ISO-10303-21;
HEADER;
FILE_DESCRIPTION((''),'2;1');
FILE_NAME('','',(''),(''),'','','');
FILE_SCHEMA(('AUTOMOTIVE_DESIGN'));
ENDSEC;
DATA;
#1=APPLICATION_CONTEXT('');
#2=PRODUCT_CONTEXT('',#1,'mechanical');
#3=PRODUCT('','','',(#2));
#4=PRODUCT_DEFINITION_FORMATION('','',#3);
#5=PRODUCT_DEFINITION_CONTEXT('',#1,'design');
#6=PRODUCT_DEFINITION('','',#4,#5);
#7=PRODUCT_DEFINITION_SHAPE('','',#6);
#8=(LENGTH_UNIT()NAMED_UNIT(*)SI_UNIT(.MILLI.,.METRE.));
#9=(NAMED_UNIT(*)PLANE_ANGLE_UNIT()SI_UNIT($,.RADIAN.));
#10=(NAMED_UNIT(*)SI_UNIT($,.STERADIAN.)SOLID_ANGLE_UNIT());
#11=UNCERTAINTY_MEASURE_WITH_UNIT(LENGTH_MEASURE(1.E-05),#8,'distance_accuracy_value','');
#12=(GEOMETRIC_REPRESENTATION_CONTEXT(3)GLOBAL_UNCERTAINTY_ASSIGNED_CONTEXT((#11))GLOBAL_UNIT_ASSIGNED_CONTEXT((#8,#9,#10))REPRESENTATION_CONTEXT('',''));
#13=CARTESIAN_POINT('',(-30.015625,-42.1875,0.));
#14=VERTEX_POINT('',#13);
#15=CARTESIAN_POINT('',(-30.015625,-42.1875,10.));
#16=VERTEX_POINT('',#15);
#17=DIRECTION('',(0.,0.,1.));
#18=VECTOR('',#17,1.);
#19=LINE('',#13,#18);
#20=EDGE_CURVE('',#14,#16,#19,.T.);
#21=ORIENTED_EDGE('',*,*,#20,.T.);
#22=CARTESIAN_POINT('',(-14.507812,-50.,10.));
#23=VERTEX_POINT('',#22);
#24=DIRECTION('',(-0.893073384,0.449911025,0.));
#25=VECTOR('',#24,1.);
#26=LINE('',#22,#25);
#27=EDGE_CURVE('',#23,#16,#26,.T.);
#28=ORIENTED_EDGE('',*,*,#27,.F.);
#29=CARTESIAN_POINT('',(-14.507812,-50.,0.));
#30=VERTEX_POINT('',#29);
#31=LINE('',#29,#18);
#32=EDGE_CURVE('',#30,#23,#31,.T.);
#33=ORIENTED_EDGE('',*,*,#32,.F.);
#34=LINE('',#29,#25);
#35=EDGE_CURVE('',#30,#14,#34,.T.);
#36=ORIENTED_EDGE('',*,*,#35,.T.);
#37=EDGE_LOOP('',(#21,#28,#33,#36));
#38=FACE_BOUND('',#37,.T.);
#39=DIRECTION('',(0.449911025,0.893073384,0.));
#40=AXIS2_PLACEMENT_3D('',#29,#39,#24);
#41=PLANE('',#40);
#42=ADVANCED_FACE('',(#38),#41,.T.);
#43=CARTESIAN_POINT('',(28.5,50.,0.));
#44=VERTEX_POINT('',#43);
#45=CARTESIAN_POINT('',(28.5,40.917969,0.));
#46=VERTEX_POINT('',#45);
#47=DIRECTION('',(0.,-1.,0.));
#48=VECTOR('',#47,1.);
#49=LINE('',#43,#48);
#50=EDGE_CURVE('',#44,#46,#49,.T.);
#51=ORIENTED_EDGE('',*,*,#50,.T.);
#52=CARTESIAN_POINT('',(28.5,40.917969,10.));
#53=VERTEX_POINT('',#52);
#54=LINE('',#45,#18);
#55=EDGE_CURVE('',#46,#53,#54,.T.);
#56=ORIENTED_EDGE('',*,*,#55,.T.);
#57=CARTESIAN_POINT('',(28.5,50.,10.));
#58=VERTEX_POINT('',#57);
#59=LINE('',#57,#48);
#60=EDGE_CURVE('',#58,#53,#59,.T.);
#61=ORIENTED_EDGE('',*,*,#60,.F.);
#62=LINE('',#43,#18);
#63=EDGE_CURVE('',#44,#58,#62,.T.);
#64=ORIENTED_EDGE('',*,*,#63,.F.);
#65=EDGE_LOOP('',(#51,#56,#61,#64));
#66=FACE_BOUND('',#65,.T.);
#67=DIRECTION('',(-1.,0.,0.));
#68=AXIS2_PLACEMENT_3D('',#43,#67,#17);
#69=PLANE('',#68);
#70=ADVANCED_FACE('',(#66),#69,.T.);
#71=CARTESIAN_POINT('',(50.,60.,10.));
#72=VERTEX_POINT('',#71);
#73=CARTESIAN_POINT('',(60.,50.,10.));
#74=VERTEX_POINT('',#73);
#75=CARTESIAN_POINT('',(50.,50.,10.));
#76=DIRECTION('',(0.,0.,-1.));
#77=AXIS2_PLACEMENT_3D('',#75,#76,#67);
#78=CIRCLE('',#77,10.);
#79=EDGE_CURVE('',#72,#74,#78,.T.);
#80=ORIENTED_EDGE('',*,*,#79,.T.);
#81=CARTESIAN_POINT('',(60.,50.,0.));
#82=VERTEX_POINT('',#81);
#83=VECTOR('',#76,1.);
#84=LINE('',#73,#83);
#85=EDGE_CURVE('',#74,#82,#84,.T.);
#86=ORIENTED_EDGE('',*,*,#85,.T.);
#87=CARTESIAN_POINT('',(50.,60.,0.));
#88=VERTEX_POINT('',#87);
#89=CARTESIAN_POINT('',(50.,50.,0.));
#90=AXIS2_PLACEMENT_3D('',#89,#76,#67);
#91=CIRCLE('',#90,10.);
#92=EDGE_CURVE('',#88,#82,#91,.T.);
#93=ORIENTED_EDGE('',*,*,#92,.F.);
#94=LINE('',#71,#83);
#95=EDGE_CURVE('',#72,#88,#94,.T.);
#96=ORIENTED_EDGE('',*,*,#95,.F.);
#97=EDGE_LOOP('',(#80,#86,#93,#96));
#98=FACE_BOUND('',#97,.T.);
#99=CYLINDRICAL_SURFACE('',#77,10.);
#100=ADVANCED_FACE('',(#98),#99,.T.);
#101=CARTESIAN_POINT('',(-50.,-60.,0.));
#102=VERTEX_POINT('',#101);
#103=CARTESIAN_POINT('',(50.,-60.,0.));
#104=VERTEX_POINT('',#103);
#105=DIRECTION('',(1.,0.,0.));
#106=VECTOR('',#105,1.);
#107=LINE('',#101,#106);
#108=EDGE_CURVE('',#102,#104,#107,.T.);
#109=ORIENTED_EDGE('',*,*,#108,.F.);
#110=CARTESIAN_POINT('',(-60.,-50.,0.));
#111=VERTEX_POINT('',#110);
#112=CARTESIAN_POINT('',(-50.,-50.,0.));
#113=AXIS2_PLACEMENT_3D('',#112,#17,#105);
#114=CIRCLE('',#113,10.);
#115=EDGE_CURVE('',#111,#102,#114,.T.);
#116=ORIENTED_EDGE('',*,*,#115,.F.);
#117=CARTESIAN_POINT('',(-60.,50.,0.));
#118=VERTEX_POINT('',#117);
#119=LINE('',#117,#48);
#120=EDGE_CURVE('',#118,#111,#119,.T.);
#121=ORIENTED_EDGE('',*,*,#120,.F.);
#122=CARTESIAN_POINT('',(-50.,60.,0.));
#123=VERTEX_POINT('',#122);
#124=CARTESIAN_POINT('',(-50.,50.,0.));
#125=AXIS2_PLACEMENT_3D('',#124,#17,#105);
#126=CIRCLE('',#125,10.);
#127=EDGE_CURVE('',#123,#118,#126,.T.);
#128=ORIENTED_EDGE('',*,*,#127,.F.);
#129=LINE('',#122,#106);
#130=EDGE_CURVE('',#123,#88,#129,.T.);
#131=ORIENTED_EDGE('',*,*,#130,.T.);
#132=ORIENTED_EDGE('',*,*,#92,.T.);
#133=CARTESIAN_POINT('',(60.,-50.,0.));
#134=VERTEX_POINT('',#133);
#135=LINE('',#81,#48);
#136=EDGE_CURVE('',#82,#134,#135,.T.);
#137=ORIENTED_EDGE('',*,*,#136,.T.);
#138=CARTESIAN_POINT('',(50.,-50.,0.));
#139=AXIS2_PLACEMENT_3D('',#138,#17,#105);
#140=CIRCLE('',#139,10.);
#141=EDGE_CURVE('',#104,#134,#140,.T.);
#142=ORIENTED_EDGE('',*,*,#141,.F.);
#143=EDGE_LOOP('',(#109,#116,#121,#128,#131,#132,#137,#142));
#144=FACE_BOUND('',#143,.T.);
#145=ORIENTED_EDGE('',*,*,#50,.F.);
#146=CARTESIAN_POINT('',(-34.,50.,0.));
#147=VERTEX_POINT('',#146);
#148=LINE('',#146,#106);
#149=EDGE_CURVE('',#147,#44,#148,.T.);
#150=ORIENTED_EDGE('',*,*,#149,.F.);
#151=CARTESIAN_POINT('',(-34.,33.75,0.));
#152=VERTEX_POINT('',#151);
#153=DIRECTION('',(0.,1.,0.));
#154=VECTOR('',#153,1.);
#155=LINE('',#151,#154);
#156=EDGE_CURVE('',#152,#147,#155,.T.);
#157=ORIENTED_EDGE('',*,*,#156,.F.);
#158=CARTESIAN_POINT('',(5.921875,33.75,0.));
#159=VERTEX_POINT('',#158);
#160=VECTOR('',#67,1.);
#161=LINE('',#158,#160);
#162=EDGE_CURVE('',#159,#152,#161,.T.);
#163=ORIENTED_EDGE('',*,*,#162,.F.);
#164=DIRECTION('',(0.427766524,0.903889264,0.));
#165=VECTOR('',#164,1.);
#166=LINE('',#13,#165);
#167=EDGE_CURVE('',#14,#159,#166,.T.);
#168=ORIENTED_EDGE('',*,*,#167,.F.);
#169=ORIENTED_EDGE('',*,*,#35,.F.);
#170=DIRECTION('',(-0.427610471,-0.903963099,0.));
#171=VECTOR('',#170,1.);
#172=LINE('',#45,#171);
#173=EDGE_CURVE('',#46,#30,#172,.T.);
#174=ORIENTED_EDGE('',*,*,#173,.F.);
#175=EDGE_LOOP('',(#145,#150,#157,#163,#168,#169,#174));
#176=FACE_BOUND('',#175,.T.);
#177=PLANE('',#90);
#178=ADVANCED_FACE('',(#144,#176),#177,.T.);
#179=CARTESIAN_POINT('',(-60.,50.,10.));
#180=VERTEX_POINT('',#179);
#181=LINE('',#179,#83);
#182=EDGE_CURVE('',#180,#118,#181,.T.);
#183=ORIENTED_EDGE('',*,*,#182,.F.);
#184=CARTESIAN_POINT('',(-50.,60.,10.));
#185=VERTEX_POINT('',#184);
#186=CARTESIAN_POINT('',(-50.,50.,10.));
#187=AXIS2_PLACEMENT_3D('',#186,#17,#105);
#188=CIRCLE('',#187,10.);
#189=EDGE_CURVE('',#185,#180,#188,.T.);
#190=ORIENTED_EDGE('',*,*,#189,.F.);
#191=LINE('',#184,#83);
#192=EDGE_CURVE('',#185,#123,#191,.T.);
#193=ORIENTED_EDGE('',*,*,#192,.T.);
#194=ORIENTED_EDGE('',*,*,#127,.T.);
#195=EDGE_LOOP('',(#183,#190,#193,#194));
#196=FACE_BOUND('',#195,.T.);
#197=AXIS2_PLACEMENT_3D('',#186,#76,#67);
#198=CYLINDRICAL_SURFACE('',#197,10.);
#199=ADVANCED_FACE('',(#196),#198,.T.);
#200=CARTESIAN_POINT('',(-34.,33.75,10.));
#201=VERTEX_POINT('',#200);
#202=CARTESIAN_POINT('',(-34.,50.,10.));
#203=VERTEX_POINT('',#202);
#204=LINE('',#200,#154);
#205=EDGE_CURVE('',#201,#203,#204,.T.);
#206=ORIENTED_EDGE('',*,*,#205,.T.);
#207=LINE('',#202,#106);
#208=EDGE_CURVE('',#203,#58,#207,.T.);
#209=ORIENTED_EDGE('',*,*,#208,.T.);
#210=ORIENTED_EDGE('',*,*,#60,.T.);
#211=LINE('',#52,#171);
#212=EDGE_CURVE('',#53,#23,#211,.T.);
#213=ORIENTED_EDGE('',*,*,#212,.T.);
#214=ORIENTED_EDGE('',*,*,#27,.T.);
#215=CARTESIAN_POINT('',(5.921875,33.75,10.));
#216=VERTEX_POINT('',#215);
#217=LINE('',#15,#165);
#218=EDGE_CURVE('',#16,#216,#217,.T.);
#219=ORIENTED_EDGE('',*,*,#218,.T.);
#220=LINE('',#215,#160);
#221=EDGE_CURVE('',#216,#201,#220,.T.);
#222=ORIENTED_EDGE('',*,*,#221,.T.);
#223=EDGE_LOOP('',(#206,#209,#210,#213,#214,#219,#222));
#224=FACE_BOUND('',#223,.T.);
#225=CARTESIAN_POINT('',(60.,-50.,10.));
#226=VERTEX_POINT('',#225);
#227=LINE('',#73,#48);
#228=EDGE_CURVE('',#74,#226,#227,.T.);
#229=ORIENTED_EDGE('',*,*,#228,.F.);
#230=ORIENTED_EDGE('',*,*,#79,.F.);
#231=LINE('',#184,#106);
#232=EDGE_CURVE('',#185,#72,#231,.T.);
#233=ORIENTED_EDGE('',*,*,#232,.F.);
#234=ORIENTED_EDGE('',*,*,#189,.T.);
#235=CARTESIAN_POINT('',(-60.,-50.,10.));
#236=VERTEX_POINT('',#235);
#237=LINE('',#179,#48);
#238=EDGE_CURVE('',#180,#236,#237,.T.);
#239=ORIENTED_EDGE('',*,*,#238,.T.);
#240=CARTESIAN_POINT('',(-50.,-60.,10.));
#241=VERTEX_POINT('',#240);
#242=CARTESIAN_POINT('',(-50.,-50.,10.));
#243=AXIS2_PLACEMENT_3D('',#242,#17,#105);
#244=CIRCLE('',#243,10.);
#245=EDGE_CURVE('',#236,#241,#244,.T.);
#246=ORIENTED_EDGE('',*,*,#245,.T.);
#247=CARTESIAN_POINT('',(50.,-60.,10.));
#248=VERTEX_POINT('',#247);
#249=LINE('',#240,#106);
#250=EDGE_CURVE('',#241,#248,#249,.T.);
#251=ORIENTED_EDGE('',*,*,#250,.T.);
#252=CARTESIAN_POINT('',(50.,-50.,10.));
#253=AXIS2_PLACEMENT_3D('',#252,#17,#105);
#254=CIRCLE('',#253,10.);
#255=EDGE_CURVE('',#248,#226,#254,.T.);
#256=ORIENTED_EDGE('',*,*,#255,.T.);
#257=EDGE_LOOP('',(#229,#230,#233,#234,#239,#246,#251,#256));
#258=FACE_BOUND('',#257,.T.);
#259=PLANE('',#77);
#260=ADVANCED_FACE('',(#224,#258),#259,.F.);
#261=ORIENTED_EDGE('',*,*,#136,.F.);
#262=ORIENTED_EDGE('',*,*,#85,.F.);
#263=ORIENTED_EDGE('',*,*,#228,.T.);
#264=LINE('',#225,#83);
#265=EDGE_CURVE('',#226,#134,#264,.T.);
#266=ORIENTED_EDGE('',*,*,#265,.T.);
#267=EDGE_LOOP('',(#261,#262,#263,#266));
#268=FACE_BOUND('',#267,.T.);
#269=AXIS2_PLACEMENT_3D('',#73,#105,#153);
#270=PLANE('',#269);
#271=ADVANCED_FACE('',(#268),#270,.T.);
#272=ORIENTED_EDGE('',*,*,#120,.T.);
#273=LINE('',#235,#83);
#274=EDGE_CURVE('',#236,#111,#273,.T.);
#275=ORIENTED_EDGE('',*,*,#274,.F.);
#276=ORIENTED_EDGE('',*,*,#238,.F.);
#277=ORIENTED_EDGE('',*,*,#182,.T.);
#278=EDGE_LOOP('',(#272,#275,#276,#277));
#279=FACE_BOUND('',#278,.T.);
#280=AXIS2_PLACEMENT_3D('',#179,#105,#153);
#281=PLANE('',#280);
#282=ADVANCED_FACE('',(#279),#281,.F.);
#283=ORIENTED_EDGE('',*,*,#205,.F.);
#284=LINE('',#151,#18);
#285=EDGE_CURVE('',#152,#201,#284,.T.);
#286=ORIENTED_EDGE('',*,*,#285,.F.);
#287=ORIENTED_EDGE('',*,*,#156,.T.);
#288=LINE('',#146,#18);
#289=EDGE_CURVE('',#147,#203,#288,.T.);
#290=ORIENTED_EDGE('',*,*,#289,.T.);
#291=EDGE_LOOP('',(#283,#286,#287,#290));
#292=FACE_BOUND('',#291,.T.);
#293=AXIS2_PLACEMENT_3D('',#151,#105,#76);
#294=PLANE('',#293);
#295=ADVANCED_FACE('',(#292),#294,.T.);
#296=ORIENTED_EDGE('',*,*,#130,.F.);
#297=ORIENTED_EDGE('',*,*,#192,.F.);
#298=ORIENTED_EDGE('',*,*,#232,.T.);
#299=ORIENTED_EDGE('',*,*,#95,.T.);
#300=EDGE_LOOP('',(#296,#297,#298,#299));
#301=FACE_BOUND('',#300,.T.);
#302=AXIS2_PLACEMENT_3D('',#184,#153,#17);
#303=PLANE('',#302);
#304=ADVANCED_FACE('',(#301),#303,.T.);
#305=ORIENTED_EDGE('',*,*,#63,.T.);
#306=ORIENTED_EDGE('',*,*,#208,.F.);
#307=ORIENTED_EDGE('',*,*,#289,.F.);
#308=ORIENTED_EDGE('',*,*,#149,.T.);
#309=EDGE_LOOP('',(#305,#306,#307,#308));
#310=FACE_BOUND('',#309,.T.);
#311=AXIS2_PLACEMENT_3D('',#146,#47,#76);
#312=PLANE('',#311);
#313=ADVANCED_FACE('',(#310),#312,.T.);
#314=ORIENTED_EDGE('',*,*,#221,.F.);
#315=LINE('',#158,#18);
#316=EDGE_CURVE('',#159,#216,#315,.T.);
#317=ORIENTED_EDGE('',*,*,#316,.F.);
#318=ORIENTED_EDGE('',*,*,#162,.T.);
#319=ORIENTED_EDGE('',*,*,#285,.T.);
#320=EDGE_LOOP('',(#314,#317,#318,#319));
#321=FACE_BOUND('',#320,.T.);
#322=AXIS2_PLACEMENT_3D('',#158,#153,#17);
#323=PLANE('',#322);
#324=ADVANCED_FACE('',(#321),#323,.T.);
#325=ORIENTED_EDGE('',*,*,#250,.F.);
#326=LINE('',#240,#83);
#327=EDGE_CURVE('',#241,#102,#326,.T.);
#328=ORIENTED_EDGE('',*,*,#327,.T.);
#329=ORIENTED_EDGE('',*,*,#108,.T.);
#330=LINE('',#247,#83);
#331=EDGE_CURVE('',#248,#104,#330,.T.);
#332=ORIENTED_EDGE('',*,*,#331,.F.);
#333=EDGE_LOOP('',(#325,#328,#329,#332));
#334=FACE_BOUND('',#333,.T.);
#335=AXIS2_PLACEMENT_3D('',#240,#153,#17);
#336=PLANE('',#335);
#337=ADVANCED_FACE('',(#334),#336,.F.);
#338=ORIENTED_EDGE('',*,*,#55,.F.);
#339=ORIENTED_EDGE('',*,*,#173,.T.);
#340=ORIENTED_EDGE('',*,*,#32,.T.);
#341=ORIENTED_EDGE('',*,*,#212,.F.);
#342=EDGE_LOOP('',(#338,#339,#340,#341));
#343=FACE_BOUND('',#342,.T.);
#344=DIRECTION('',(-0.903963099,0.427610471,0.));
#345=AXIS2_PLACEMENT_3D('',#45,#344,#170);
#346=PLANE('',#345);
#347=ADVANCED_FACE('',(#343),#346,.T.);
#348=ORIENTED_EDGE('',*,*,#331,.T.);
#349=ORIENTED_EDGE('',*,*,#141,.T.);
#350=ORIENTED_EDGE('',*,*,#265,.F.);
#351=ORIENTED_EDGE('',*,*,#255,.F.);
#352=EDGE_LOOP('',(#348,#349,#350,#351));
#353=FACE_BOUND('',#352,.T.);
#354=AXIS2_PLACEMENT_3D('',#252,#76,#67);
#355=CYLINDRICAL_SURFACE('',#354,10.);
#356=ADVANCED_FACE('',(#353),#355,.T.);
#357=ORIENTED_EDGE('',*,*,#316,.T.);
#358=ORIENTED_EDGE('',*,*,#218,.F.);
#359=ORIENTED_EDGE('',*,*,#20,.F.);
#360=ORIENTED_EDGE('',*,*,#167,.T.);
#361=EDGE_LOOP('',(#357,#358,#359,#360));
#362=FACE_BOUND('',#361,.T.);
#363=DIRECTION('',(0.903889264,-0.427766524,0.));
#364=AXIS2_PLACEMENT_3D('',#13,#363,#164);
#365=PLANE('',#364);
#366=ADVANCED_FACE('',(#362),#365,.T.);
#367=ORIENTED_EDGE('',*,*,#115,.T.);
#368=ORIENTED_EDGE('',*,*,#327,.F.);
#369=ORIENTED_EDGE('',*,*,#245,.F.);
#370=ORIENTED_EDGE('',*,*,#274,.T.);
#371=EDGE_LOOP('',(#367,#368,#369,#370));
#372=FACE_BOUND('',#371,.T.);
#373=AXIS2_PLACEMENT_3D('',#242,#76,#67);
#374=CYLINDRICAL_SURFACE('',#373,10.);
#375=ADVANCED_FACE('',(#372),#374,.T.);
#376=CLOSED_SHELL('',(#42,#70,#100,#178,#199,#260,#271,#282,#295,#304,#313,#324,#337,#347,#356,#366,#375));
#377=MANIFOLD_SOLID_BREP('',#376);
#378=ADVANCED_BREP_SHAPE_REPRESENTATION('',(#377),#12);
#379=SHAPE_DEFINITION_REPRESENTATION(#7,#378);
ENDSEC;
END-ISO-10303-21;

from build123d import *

# Parameters (mm, degrees)
BOSS_EXTRUDE1_DEPTH = 10
CUT_EXTRUDE6_DEPTH  = 10


with BuildPart() as part:
    # Sketch1 → Boss-Extrude1 (new body)
    with BuildSketch(Plane.XY):
        with BuildLine():
            Line((-50, 60), (50, 60))
            ThreePointArc((50, 60), (57.071067812, 57.071067812), (60, 50))
            Line((60, 50), (60, -50))
            ThreePointArc((60, -50), (57.071067812, -57.071067812), (50, -60))
            Line((50, -60), (-50, -60))
            ThreePointArc((-50, -60), (-57.071067812, -57.071067812), (-60, -50))
            Line((-60, -50), (-60, 50))
            ThreePointArc((-60, 50), (-57.071067812, 57.071067812), (-50, 60))
        make_face()
    extrude(amount=BOSS_EXTRUDE1_DEPTH)

    # Sketch2 → Cut-Extrude6 (cut)
    with BuildSketch(Plane.XY.offset(10)):
        Polygon((-34, 50), (28.5, 50), (28.5, 40.91796875), (-14.5078125, -50), (-30.015625, -42.1875), (5.921875, 33.75), (-34, 33.75), align=None)
    extrude(amount=-CUT_EXTRUDE6_DEPTH, mode=Mode.SUBTRACT)


solid = part.part
